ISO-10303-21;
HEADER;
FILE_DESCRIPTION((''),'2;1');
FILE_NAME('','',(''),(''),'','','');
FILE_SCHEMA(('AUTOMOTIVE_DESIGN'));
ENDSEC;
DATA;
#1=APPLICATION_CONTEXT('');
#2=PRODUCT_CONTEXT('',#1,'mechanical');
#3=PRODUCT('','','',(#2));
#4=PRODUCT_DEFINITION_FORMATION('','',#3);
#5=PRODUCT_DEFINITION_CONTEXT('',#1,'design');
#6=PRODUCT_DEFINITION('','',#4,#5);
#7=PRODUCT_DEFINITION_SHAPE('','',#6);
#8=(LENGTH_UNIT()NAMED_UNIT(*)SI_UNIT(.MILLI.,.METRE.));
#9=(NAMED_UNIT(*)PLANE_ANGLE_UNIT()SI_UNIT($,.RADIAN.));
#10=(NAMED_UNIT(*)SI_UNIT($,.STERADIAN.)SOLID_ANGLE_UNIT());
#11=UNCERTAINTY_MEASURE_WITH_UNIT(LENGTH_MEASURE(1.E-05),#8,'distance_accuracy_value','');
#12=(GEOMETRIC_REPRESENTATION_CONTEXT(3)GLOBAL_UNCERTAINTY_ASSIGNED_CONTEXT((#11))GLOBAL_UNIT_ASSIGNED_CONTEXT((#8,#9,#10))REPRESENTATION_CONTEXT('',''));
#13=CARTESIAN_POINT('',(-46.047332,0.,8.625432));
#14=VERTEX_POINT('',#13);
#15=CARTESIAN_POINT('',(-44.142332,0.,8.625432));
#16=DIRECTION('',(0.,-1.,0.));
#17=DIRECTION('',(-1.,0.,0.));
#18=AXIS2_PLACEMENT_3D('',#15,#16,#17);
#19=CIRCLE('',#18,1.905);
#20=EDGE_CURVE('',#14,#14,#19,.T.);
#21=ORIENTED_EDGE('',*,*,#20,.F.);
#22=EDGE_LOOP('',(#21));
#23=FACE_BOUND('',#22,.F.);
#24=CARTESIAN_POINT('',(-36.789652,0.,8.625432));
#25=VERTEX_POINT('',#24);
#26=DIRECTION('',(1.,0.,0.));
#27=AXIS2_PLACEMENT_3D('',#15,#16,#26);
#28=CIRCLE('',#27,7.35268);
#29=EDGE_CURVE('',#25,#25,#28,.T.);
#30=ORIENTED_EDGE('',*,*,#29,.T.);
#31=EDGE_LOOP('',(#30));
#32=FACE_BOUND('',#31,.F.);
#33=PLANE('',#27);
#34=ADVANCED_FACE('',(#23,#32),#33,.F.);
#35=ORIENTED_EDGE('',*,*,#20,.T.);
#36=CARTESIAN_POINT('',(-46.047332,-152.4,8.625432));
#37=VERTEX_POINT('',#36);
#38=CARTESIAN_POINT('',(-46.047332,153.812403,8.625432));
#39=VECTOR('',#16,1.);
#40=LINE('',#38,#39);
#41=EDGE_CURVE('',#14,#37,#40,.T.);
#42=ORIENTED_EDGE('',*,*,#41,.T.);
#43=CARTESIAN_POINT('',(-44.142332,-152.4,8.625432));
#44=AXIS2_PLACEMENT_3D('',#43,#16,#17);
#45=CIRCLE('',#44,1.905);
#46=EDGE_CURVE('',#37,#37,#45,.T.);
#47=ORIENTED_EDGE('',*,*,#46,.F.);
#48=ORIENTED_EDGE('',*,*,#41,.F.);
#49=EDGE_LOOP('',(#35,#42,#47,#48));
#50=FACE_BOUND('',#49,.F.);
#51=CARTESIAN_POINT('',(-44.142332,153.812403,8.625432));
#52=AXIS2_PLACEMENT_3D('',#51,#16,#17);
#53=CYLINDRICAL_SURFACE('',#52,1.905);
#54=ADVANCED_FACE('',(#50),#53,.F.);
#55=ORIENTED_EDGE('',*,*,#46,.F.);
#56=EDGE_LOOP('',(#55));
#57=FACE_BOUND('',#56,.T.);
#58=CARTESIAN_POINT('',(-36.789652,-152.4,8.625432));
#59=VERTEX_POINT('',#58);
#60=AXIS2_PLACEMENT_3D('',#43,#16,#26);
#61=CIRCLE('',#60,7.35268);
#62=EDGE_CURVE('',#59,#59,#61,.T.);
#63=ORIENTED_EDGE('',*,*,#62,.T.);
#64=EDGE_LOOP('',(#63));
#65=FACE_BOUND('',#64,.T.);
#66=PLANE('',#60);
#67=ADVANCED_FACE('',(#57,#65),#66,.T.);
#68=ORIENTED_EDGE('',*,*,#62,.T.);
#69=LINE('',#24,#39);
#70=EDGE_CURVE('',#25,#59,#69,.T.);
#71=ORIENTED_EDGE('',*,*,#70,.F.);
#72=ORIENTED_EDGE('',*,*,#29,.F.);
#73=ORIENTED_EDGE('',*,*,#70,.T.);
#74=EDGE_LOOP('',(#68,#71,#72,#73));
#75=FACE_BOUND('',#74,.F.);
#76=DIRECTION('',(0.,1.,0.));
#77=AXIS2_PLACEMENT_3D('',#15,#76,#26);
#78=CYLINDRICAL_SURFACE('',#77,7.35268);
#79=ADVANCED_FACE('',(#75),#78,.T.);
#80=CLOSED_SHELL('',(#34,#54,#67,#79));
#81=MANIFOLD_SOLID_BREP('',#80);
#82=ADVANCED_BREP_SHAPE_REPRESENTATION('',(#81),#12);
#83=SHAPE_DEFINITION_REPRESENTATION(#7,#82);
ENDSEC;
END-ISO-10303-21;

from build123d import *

# Parameters (mm, degrees)
F0_R     = 7.3526801957
F1_DEPTH = 152.4
F2_D     = 3.81


with BuildPart() as f1:
    # F0 (on Front) → F1 (new body)
    with BuildSketch(Plane.XZ):
        with Locations((-44.142331928, 8.6254319176)):
            Circle(F0_R)
    extrude(amount=F1_DEPTH)

    # F2 (through all)
    with Locations(Plane(origin=(0, 0, 0), x_dir=(1, 0, 0), z_dir=(0, 1, 0))):
        with Locations((-44.142331928, -8.6254319176)):
            Hole(F2_D / 2)


solid = f1.part
